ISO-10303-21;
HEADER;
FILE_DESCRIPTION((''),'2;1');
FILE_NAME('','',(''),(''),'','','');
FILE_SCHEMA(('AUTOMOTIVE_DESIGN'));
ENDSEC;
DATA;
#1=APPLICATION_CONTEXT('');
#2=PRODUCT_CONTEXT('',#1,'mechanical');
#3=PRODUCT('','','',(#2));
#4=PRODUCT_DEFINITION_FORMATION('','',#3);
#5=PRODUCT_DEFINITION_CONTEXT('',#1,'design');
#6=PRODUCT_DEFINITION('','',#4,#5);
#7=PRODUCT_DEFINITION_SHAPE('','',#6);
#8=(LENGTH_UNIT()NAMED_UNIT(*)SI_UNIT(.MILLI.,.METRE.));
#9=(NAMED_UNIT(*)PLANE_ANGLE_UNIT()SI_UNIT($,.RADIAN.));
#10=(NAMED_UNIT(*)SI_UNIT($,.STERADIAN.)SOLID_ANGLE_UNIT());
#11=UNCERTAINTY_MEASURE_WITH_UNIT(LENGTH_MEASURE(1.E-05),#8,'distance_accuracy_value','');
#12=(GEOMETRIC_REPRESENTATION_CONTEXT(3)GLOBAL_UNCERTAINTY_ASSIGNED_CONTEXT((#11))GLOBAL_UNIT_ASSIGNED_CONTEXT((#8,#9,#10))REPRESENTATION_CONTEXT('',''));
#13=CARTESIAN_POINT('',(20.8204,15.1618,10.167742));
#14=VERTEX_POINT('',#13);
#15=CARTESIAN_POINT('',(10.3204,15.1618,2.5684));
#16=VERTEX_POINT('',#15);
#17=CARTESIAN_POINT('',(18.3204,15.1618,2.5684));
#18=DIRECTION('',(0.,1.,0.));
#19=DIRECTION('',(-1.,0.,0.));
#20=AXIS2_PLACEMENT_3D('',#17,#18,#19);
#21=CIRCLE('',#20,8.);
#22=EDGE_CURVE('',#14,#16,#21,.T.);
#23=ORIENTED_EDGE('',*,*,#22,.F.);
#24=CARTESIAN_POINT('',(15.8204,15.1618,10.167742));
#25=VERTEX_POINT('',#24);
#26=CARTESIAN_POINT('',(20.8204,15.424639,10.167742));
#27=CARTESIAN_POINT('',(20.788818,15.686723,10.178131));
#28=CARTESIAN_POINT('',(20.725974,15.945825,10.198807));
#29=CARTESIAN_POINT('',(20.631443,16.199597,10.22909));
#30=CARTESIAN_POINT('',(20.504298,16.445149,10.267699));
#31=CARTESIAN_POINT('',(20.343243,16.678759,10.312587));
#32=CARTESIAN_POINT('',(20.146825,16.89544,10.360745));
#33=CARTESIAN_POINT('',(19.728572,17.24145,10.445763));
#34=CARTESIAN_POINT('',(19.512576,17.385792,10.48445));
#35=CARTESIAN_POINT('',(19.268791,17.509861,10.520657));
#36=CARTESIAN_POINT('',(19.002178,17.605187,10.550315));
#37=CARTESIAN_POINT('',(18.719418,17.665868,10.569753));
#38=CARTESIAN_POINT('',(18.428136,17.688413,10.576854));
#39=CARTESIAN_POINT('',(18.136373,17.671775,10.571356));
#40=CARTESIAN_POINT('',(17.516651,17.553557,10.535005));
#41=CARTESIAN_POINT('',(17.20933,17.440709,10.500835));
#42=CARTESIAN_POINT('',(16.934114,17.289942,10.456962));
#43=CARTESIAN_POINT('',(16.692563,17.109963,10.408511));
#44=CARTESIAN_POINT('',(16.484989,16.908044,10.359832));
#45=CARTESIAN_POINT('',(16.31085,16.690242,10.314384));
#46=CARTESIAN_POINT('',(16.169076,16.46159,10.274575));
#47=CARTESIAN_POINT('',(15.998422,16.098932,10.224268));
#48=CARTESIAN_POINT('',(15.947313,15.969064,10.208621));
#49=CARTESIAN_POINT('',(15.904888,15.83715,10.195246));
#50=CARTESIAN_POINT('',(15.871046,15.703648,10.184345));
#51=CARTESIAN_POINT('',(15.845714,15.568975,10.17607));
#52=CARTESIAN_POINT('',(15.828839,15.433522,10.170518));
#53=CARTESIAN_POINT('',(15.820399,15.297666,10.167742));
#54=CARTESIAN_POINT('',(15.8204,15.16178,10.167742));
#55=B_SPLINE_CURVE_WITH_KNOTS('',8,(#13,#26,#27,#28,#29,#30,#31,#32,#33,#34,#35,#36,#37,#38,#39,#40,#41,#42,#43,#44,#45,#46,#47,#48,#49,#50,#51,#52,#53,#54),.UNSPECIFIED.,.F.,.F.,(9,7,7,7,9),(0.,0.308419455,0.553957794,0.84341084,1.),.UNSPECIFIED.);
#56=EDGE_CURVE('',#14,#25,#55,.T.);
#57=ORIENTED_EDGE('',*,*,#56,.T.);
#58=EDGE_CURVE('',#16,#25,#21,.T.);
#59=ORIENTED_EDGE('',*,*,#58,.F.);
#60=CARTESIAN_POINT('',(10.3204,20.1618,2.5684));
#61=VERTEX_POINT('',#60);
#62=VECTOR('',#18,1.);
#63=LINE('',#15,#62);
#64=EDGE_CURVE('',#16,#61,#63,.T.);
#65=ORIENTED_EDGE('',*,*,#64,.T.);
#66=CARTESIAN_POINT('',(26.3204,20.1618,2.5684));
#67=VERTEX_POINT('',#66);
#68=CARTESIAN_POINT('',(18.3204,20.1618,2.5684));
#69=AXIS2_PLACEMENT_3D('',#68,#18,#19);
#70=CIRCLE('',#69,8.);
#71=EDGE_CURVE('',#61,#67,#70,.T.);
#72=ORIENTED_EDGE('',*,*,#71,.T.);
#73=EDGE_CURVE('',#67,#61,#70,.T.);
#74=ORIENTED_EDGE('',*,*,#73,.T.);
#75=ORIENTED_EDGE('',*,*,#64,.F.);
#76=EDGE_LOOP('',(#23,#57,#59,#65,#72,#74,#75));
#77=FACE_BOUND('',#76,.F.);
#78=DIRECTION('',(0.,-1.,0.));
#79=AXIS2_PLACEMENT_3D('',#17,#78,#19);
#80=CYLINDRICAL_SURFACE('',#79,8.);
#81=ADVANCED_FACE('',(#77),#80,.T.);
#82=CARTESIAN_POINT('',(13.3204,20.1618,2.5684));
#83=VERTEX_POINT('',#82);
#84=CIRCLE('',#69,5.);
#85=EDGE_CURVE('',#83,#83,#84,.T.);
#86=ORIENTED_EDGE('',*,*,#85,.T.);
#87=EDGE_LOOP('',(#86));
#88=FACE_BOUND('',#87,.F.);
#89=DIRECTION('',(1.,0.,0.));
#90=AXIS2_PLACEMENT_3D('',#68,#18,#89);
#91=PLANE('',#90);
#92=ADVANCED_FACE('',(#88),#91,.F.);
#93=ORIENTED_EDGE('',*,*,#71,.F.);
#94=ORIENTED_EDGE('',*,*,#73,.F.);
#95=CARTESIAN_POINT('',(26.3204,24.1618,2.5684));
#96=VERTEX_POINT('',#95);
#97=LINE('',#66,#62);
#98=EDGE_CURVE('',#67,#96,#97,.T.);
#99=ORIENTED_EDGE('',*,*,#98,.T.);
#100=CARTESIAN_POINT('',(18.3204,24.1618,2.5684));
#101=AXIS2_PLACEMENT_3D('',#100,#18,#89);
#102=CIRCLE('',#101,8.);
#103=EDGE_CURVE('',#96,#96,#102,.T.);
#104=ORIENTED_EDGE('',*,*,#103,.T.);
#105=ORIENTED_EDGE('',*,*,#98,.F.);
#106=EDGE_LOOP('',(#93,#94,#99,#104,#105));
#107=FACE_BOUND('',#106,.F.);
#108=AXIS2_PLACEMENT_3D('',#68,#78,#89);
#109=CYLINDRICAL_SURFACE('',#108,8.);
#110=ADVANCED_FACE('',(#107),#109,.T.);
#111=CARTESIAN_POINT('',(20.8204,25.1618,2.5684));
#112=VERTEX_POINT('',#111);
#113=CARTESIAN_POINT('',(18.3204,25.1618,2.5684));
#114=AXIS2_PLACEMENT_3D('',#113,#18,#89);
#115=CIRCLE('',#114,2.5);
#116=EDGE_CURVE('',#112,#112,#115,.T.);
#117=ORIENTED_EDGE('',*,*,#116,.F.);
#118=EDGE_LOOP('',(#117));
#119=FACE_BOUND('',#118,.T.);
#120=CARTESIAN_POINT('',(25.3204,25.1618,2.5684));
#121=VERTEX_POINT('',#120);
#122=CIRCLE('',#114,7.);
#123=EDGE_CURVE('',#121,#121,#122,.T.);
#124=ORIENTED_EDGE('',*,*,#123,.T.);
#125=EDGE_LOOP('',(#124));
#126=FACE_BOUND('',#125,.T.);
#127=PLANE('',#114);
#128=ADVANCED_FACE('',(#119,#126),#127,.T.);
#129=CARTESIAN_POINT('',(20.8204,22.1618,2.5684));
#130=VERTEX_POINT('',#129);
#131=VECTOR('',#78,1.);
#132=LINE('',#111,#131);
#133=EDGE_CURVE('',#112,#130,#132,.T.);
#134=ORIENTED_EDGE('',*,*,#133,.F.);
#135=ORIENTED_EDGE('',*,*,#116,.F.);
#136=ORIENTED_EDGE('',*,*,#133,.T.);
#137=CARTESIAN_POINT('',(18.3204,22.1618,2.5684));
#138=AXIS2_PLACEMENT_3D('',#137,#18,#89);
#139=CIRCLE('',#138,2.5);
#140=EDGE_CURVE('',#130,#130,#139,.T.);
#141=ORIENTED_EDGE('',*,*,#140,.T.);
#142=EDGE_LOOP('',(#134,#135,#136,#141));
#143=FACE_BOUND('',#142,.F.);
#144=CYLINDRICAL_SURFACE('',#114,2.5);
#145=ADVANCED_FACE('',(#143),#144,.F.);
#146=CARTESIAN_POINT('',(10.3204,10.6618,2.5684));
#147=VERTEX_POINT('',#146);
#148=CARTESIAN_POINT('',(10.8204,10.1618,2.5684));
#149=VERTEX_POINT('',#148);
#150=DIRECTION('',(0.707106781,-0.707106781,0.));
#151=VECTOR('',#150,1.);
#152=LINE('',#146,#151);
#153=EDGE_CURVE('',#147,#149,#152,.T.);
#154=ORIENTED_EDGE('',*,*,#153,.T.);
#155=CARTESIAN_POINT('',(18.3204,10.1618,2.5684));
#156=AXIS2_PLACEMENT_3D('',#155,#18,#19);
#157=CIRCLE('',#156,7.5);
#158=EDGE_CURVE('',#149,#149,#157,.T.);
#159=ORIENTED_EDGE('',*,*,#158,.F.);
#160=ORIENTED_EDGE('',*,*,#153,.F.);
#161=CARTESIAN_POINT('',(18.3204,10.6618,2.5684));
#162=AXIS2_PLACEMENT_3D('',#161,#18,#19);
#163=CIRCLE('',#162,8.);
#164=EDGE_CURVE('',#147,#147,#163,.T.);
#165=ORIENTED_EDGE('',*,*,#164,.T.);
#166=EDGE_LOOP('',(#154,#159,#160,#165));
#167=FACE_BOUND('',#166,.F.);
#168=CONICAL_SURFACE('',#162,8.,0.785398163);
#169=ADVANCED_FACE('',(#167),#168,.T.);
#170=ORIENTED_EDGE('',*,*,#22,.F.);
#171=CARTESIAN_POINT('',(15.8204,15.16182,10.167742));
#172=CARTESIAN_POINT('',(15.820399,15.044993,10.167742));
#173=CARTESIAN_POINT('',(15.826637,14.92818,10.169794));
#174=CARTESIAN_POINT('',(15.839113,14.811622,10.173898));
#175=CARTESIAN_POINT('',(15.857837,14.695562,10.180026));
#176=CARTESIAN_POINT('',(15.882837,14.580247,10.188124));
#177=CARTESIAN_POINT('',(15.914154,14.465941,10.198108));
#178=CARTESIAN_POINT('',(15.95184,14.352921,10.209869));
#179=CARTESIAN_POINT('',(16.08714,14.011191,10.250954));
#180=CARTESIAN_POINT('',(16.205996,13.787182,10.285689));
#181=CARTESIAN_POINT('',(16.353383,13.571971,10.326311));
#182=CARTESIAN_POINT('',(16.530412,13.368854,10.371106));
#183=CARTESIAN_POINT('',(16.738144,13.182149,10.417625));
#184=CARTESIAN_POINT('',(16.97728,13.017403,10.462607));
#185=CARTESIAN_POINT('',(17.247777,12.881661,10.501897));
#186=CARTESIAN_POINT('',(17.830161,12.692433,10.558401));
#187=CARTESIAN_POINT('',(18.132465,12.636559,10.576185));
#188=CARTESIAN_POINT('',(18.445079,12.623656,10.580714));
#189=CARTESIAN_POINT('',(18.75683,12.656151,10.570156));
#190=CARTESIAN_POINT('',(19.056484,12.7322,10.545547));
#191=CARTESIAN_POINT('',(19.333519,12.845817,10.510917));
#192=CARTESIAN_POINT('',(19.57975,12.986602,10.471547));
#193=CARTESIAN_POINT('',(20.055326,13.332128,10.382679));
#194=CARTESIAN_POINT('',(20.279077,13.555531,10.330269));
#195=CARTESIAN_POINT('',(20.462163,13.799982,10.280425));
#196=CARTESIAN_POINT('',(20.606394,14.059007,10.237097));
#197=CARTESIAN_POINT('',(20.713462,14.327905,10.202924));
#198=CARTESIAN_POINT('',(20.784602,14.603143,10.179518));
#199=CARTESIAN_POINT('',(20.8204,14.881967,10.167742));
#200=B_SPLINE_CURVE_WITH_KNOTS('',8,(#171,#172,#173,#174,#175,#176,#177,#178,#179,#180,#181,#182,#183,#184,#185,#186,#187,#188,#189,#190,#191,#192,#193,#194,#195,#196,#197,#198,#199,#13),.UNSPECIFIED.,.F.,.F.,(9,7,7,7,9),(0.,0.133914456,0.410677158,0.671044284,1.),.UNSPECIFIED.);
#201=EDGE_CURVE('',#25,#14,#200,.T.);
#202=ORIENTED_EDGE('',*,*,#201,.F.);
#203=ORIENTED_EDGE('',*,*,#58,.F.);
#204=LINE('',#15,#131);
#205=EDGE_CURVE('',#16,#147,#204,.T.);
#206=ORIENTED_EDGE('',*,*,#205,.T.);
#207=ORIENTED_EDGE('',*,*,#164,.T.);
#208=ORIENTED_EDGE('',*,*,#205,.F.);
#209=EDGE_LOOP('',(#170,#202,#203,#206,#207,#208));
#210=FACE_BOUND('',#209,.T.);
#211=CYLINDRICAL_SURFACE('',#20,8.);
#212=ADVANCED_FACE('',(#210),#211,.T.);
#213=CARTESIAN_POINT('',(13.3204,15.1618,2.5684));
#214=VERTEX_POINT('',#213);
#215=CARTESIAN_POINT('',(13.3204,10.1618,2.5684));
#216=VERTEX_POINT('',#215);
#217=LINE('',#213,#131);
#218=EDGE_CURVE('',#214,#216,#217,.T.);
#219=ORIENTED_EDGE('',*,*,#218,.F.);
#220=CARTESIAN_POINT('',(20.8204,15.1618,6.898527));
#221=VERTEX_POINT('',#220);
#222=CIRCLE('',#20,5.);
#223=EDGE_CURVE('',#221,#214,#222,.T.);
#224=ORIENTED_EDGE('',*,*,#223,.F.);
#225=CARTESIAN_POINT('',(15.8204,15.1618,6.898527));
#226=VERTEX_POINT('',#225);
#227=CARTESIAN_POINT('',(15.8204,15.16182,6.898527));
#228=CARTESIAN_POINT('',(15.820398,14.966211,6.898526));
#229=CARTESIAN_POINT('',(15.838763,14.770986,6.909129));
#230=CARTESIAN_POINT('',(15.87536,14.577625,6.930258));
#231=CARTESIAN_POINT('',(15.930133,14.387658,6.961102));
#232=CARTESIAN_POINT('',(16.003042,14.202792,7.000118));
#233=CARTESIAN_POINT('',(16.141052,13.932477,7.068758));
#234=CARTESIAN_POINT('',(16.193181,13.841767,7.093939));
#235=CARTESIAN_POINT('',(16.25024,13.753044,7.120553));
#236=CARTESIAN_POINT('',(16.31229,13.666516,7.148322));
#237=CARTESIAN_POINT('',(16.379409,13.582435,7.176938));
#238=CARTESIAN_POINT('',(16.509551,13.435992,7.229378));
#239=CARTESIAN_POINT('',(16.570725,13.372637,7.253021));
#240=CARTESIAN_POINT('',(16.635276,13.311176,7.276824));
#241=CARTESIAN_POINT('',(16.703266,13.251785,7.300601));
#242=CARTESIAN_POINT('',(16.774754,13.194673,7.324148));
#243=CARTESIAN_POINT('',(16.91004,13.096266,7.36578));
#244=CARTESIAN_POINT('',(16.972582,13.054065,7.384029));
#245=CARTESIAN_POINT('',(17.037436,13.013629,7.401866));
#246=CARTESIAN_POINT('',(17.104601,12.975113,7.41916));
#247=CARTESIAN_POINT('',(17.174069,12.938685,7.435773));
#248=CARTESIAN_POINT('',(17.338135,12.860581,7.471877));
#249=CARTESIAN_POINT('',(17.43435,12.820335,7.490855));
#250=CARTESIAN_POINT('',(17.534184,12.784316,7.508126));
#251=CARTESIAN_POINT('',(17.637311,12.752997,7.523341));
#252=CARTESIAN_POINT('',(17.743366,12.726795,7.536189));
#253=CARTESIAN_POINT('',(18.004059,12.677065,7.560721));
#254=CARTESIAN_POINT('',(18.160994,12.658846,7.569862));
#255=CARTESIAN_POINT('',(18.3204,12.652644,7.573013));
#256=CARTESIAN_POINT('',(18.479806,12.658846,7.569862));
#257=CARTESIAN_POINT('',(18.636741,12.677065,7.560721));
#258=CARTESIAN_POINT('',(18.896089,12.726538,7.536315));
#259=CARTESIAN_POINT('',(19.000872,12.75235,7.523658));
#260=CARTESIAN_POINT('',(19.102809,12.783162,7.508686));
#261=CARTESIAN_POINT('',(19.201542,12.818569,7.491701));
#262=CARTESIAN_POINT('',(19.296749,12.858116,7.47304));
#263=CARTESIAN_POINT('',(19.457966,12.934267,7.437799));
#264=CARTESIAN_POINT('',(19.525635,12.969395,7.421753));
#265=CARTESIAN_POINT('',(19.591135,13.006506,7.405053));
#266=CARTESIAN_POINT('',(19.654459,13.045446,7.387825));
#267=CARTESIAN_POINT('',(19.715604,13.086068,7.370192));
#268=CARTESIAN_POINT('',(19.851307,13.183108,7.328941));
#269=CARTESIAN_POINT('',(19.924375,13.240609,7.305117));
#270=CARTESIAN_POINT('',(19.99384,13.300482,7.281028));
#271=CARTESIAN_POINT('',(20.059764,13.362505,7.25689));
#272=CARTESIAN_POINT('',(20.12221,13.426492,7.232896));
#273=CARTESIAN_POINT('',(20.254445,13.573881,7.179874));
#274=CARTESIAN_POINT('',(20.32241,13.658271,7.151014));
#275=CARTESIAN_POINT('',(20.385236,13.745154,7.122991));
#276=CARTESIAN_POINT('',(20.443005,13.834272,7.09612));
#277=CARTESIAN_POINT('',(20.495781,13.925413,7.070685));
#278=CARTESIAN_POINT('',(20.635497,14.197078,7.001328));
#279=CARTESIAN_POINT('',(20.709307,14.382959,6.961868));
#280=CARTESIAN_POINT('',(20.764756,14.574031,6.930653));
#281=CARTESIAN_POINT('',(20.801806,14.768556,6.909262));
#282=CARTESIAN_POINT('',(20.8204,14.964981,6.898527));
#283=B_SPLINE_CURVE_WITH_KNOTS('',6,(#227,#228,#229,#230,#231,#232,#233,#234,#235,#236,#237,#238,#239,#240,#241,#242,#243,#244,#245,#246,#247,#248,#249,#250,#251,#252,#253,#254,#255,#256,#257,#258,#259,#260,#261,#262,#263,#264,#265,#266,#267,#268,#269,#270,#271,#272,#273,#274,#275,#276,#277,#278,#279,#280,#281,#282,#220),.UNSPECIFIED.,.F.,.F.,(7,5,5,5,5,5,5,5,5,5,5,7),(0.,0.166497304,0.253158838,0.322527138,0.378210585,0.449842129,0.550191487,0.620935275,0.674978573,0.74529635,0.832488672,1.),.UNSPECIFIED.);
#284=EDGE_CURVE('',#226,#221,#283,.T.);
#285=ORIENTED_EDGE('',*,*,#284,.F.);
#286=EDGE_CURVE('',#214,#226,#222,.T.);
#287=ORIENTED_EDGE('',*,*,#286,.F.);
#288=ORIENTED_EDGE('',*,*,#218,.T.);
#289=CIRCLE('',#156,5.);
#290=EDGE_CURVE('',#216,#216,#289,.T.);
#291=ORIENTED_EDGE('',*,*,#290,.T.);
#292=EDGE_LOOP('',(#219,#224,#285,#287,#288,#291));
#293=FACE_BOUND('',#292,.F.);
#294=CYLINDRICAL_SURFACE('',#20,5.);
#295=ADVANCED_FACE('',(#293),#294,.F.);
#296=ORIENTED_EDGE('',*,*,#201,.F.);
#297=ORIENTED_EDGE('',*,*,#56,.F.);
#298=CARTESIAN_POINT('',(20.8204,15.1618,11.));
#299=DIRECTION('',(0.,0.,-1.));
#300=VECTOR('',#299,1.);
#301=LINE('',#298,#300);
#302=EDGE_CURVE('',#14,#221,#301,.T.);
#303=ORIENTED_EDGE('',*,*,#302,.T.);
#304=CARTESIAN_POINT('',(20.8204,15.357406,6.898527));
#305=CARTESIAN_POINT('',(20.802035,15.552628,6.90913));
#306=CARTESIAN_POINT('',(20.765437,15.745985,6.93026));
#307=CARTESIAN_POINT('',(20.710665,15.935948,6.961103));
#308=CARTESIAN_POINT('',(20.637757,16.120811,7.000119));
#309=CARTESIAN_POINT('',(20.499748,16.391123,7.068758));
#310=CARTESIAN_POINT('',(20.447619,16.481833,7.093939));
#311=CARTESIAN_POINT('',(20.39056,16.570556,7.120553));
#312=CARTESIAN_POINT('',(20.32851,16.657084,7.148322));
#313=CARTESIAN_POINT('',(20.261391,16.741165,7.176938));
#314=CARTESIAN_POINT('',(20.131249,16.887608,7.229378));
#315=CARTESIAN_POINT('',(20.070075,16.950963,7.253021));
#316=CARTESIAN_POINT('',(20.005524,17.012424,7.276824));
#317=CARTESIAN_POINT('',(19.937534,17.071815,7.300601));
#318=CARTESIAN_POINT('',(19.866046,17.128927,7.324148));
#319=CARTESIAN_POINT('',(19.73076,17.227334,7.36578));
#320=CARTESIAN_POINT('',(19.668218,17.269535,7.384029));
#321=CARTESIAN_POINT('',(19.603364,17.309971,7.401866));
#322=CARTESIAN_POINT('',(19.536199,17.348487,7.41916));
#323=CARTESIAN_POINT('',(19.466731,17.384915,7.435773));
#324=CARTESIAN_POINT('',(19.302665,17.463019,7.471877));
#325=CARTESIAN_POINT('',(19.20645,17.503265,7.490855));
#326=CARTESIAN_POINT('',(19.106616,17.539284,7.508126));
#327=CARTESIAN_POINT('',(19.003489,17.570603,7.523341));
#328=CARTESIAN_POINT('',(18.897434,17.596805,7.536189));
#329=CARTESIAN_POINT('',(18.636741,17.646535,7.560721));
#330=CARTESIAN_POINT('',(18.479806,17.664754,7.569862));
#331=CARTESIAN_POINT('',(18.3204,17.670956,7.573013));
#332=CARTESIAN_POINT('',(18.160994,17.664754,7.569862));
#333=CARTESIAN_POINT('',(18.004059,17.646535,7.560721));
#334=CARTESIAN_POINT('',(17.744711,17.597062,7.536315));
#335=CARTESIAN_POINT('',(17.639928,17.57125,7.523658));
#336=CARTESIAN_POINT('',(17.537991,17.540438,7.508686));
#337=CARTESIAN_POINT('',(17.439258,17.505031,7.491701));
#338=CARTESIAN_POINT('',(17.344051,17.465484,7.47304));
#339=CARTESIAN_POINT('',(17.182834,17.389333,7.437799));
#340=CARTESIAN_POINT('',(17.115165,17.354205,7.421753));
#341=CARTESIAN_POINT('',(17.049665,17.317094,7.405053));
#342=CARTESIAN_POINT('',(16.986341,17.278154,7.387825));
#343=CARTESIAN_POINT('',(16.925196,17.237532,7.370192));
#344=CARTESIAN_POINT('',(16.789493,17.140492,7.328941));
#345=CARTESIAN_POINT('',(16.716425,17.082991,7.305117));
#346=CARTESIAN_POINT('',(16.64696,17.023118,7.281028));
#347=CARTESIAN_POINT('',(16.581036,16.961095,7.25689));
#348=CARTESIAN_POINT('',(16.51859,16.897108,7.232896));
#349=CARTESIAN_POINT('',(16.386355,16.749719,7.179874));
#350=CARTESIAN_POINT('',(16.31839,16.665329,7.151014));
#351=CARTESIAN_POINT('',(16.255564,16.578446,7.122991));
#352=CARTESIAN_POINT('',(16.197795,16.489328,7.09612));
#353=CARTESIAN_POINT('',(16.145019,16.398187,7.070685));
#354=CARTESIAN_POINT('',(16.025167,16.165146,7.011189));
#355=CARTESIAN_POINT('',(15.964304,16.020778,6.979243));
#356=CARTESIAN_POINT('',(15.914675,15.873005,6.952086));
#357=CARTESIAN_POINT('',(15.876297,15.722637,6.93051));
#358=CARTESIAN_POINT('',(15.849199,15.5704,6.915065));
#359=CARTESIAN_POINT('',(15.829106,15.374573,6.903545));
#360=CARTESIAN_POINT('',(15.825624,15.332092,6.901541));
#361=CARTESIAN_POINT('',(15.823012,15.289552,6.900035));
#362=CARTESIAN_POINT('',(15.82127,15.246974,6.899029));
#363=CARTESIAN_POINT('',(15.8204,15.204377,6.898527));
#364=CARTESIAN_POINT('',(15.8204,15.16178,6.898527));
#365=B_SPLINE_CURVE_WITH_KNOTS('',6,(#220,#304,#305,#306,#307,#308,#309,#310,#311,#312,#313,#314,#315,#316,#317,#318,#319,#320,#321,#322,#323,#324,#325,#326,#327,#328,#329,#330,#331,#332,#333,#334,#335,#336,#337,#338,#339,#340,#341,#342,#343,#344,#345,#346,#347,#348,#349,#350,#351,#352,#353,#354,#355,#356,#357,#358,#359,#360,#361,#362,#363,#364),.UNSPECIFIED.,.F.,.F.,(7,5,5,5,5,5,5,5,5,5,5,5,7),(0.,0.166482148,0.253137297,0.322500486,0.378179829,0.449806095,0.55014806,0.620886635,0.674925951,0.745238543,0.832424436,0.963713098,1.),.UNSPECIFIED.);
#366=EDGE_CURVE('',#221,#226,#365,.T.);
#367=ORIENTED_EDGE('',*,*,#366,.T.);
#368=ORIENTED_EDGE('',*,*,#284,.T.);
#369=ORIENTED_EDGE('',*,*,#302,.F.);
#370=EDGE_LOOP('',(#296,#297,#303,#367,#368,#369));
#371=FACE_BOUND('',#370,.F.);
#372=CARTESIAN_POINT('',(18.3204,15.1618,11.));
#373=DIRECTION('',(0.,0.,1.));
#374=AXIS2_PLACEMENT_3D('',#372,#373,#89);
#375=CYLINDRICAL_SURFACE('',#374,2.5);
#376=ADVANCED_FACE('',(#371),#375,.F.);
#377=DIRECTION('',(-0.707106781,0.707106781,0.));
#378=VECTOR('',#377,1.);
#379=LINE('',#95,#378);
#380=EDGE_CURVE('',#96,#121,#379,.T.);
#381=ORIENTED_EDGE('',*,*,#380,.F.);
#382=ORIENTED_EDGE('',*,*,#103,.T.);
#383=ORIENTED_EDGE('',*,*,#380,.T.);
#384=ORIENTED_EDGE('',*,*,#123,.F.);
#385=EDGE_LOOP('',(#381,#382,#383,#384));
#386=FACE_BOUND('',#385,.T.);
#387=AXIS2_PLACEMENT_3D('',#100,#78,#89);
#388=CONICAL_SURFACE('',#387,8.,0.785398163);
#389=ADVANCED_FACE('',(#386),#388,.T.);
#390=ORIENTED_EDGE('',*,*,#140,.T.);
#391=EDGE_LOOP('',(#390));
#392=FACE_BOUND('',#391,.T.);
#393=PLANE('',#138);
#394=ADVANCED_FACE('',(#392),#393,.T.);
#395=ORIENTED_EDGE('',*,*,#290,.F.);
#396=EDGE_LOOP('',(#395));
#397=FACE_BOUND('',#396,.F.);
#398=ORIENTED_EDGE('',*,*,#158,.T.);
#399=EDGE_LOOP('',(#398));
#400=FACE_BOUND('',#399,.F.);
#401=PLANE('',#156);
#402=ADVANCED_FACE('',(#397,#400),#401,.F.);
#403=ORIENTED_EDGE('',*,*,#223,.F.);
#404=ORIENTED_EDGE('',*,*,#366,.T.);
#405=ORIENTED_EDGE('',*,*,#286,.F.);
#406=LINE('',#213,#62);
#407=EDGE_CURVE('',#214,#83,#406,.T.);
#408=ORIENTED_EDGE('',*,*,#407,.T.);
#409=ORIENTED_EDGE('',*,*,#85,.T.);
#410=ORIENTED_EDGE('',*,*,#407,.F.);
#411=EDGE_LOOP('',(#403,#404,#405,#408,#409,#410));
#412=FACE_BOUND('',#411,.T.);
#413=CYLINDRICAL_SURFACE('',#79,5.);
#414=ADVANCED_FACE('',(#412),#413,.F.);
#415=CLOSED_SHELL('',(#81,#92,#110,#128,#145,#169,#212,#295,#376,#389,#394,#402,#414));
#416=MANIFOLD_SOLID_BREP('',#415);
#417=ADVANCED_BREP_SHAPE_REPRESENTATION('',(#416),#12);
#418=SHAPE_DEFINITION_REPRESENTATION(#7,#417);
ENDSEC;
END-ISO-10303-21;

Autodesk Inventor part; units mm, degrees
ref_plane "YZ Plane" through (0, 0, 0) normal (1, 0, 0) x (0, 1, 0)
ref_plane "Plano de trabajo1" through (18.3204, 15.1618, 2.5684) normal (0, 1, 0) x (-1, 0, 0)
sketch "Boceto1" plane through (18.3204, 15.1618, 2.5684) normal (0, 1, 0) x (-1, 0, 0)
  circle A0 centre (0, 0) radius 5 projected
  circle A1 centre (0, 0) radius 8
  point P0 (18.3204, -2.5684)
  dimension "d0" = 3
extrude "Extrusión1" add sketch "Boceto1" along normal blind 5 and the other way blind 5
sketch "Boceto2" plane through (18.3204, 20.1618, 2.5684) normal (0, 1, 0) x (1, 0, 0)
  circle A0 centre (0, 0) radius 8 projected
  point P0 (-18.3204, 2.5684)
extrude "Extrusión2" add sketch "Boceto2" along normal blind 5
sketch "Boceto3" plane through (18.3204, 25.1618, 2.5684) normal (0, 1, 0) x (1, 0, 0)
  circle A0 centre (0, 0) radius 2.5
  point P0 (-18.3204, 2.5684)
  dimension "d7" = 5
extrude "Extrusión3" cut sketch "Boceto3" against normal blind 3
ref_plane "Plano de trabajo2" through (0, 0, 11) normal (0, 0, 1) x (1, 0, 0)
sketch "Boceto4" plane through (0, 0, 11) normal (0, 0, 1) x (1, 0, 0)
  line L0 (26.3204, 25.1618) -> (10.3204, 25.1618) projected
  line L1 (10.3204, 10.1618) -> (26.3204, 10.1618) projected
  circle A0 centre (18.3204, 15.1618) radius 2.5
  point P0 (0, 0)
  dimension "d11" = 5
  dimension "d12" = 5
extrude "Extrusión4" cut sketch "Boceto4" against normal blind 6
chamfer "Chaflán1" distance 0.5 angle 45 1 edges at (26.3204, 10.1618, 2.5684)
chamfer "Chaflán2" distance 1 angle 45 1 edges at (10.3204, 25.1618, 2.5684)
properties part number "acople_iman"
